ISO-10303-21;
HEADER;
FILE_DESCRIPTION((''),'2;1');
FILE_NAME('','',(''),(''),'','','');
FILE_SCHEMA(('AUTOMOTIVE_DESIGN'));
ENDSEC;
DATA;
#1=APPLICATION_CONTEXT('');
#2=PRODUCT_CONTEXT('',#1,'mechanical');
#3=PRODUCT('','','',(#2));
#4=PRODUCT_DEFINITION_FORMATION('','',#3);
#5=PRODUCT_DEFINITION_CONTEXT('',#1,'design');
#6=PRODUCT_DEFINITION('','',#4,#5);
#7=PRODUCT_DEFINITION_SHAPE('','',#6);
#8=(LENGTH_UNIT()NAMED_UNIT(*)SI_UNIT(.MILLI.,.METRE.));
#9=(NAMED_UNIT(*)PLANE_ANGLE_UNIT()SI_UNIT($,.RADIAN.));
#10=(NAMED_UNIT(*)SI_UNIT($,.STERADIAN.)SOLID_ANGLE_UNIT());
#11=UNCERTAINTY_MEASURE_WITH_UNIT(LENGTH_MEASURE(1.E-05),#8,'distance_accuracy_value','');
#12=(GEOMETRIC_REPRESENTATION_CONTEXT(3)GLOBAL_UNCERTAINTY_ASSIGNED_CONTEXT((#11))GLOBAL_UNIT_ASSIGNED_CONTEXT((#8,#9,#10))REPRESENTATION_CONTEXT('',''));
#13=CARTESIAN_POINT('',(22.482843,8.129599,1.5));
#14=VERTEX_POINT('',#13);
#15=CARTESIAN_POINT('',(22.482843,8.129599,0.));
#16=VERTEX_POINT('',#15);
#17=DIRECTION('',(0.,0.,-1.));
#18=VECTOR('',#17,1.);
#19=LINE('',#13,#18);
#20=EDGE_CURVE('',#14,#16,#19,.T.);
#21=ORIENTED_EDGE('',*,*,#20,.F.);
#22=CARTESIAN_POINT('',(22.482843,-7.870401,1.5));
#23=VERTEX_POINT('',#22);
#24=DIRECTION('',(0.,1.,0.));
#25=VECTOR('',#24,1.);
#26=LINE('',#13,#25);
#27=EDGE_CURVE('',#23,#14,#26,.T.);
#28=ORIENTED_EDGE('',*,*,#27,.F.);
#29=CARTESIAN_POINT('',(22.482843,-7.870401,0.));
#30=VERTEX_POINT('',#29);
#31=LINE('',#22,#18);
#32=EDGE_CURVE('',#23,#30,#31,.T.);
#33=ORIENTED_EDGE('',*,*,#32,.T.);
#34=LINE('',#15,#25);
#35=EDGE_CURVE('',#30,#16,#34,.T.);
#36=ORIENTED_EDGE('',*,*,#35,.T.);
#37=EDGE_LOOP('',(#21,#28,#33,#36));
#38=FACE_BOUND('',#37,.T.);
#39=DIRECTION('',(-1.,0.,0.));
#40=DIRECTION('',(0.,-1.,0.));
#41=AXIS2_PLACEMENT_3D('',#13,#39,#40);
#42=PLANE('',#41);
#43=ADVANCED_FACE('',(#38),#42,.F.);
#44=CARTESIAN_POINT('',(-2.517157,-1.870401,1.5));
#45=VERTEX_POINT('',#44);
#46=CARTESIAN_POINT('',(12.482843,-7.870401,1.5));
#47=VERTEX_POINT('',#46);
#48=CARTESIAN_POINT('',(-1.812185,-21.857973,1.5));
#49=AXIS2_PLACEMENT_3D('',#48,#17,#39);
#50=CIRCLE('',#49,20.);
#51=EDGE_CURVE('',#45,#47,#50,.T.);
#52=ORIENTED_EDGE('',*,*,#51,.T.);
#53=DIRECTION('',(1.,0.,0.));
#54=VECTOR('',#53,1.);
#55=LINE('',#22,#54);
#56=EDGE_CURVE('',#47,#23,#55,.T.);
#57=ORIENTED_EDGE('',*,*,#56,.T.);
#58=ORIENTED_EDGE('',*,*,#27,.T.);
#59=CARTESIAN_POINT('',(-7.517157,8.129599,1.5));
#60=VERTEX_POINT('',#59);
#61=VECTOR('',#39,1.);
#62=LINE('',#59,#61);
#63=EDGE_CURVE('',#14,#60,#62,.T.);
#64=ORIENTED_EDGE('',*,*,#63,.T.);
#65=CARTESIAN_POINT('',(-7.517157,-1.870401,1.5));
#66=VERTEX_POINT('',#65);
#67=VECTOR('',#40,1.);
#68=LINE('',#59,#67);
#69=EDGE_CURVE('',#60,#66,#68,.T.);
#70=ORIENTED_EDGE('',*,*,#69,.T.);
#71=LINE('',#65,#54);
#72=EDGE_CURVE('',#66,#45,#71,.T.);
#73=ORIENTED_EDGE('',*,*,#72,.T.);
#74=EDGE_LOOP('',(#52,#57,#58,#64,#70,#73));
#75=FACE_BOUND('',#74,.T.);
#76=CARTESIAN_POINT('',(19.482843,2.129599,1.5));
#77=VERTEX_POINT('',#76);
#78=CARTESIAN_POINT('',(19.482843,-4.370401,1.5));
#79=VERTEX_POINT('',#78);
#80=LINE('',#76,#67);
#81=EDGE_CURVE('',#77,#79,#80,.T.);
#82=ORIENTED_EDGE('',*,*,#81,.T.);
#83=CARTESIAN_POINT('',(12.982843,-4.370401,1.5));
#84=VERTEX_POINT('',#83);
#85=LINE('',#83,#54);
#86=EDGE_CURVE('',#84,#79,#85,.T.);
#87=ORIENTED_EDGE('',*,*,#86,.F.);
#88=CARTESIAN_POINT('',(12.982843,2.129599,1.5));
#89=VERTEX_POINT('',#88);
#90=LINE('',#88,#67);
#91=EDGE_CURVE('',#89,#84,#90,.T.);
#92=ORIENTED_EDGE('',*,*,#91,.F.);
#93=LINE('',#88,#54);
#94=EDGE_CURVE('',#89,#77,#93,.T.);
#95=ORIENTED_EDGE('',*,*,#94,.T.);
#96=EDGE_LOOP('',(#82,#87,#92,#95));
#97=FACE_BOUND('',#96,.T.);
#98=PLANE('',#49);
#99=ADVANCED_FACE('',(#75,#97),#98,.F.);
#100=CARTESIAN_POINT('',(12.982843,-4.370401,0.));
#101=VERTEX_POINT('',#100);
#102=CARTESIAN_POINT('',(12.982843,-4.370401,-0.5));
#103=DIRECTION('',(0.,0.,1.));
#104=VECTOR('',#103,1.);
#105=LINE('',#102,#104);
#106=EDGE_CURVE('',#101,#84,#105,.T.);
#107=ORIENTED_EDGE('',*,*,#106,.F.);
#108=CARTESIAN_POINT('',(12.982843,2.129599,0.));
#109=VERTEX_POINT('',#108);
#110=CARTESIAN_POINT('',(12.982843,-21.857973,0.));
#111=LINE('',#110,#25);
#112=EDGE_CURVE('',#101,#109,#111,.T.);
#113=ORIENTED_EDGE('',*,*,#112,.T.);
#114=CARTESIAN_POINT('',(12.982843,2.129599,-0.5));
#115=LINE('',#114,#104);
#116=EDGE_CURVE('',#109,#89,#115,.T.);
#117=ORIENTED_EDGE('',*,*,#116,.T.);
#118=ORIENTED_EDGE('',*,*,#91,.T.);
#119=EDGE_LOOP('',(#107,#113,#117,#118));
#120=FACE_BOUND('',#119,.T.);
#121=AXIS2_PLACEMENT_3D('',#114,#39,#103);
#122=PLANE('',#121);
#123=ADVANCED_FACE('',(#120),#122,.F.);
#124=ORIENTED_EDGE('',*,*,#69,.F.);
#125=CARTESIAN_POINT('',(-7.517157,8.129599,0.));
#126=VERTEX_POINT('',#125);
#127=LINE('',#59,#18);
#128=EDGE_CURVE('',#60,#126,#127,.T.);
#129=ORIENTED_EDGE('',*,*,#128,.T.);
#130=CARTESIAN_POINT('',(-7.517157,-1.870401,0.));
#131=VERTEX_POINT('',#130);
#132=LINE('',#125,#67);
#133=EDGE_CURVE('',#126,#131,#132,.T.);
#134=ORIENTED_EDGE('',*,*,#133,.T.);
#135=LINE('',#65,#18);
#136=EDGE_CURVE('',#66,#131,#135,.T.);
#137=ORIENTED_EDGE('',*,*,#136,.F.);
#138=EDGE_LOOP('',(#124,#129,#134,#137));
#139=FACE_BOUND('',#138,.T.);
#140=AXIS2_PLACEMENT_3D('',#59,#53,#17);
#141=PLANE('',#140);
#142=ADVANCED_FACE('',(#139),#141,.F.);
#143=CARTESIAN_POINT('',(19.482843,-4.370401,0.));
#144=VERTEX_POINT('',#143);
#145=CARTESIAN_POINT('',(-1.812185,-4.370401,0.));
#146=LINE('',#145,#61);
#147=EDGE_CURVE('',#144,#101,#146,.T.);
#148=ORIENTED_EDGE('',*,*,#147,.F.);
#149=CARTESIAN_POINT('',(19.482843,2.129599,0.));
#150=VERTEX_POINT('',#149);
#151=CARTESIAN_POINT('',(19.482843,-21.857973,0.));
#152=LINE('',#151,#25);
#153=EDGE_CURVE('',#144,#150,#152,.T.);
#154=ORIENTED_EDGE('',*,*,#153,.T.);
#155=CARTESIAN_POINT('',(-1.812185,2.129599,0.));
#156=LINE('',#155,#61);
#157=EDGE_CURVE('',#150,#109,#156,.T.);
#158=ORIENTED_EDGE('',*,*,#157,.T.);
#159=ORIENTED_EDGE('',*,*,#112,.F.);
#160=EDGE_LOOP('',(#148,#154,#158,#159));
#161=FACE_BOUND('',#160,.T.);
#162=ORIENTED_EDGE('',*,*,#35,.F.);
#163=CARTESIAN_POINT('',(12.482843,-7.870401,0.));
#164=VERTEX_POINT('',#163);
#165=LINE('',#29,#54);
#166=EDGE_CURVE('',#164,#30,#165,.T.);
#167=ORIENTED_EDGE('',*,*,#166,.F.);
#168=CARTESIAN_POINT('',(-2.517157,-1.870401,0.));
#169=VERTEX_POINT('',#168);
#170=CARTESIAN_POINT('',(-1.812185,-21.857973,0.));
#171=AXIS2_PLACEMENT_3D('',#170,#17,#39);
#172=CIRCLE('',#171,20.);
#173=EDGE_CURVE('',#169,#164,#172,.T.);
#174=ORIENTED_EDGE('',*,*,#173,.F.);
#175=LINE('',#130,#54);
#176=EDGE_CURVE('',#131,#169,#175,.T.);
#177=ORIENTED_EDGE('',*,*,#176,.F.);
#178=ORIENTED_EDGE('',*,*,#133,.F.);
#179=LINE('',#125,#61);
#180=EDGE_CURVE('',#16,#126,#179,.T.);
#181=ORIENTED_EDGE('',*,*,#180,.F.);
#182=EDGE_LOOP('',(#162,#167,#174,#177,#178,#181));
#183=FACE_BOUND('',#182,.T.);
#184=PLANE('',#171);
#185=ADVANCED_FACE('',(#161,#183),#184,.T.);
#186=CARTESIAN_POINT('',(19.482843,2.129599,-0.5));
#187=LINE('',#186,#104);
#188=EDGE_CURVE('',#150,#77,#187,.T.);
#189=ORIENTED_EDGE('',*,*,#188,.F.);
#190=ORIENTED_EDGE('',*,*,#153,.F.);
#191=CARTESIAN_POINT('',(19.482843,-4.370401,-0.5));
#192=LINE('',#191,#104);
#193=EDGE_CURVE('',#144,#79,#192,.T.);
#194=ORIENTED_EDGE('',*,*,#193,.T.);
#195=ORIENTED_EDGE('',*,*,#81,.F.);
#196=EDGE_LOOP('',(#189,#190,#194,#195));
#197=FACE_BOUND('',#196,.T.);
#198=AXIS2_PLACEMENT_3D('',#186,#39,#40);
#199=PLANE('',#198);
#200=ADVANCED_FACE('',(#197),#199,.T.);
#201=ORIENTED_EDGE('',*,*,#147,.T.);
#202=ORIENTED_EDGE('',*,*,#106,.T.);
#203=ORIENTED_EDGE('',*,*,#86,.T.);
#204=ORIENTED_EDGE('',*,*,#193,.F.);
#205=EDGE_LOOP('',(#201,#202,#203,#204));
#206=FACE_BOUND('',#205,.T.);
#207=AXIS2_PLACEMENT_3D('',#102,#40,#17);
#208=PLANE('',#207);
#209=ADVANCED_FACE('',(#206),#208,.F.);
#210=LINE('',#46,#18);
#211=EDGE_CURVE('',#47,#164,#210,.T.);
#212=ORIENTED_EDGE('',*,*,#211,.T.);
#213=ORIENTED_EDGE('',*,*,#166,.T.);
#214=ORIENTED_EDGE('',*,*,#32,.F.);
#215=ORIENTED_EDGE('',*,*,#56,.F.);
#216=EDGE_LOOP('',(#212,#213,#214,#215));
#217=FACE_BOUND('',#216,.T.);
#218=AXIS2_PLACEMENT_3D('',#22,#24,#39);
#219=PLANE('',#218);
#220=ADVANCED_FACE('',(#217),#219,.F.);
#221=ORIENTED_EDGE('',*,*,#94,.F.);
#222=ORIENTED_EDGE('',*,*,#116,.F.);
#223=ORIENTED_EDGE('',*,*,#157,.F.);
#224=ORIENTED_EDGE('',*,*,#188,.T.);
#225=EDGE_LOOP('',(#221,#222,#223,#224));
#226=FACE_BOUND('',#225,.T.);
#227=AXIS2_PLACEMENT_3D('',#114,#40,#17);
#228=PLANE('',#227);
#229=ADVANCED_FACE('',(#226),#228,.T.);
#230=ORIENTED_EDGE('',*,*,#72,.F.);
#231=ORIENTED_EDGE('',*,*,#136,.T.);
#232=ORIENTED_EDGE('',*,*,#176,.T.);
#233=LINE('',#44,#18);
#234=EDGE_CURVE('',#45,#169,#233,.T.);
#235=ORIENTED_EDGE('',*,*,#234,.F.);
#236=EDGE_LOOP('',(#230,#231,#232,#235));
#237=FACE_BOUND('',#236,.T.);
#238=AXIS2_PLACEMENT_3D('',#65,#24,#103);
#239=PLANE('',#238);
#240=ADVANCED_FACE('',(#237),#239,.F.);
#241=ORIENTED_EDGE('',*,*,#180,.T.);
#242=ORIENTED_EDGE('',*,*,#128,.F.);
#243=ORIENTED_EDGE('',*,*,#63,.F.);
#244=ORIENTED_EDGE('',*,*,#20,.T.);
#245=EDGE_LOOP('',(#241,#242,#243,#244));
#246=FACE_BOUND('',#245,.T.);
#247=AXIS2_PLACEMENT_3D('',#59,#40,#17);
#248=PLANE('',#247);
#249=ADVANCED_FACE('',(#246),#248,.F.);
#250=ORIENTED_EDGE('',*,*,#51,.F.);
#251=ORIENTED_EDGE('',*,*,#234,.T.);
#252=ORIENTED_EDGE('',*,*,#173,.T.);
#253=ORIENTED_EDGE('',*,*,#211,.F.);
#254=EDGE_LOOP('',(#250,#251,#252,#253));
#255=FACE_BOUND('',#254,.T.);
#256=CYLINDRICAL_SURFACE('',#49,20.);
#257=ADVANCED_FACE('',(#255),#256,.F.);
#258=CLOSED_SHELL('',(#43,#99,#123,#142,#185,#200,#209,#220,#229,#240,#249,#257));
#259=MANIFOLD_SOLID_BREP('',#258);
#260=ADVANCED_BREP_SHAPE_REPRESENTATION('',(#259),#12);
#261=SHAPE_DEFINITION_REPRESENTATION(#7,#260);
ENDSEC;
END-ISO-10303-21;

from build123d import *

# Parameters (mm, degrees)
BOSS_EXTRUDE1_DEPTH = 1.5
SKETCH3_W           = 6.5
SKETCH3_H           = 6.5
CUT_EXTRUDE1_DEPTH  = 2


with BuildPart() as part:
    # Sketch2 → Boss-Extrude1 (new body)
    with BuildSketch(Plane.XY):
        with BuildLine():
            Line((-7.517156851, 8.129598801), (22.482843149, 8.129598801))
            Line((22.482843149, 8.129598801), (22.482843149, -7.870401199))
            Line((22.482843149, -7.870401199), (12.482843149, -7.870401199))
            ThreePointArc((12.482843149, -7.870401199), (5.615628068, -3.288438903), (-2.517156851, -1.870401199))
            Line((-2.517156851, -1.870401199), (-7.517156851, -1.870401199))
            Line((-7.517156851, -1.870401199), (-7.517156851, 8.129598801))
        make_face()
    extrude(amount=BOSS_EXTRUDE1_DEPTH)

    # Sketch3 → Cut-Extrude1 (cut)
    with BuildSketch(Plane.XY.offset(1.5)):
        with Locations((16.232843149, -1.120401199)):
            Rectangle(SKETCH3_W, SKETCH3_H)
    extrude(amount=-CUT_EXTRUDE1_DEPTH, mode=Mode.SUBTRACT)


solid = part.part
